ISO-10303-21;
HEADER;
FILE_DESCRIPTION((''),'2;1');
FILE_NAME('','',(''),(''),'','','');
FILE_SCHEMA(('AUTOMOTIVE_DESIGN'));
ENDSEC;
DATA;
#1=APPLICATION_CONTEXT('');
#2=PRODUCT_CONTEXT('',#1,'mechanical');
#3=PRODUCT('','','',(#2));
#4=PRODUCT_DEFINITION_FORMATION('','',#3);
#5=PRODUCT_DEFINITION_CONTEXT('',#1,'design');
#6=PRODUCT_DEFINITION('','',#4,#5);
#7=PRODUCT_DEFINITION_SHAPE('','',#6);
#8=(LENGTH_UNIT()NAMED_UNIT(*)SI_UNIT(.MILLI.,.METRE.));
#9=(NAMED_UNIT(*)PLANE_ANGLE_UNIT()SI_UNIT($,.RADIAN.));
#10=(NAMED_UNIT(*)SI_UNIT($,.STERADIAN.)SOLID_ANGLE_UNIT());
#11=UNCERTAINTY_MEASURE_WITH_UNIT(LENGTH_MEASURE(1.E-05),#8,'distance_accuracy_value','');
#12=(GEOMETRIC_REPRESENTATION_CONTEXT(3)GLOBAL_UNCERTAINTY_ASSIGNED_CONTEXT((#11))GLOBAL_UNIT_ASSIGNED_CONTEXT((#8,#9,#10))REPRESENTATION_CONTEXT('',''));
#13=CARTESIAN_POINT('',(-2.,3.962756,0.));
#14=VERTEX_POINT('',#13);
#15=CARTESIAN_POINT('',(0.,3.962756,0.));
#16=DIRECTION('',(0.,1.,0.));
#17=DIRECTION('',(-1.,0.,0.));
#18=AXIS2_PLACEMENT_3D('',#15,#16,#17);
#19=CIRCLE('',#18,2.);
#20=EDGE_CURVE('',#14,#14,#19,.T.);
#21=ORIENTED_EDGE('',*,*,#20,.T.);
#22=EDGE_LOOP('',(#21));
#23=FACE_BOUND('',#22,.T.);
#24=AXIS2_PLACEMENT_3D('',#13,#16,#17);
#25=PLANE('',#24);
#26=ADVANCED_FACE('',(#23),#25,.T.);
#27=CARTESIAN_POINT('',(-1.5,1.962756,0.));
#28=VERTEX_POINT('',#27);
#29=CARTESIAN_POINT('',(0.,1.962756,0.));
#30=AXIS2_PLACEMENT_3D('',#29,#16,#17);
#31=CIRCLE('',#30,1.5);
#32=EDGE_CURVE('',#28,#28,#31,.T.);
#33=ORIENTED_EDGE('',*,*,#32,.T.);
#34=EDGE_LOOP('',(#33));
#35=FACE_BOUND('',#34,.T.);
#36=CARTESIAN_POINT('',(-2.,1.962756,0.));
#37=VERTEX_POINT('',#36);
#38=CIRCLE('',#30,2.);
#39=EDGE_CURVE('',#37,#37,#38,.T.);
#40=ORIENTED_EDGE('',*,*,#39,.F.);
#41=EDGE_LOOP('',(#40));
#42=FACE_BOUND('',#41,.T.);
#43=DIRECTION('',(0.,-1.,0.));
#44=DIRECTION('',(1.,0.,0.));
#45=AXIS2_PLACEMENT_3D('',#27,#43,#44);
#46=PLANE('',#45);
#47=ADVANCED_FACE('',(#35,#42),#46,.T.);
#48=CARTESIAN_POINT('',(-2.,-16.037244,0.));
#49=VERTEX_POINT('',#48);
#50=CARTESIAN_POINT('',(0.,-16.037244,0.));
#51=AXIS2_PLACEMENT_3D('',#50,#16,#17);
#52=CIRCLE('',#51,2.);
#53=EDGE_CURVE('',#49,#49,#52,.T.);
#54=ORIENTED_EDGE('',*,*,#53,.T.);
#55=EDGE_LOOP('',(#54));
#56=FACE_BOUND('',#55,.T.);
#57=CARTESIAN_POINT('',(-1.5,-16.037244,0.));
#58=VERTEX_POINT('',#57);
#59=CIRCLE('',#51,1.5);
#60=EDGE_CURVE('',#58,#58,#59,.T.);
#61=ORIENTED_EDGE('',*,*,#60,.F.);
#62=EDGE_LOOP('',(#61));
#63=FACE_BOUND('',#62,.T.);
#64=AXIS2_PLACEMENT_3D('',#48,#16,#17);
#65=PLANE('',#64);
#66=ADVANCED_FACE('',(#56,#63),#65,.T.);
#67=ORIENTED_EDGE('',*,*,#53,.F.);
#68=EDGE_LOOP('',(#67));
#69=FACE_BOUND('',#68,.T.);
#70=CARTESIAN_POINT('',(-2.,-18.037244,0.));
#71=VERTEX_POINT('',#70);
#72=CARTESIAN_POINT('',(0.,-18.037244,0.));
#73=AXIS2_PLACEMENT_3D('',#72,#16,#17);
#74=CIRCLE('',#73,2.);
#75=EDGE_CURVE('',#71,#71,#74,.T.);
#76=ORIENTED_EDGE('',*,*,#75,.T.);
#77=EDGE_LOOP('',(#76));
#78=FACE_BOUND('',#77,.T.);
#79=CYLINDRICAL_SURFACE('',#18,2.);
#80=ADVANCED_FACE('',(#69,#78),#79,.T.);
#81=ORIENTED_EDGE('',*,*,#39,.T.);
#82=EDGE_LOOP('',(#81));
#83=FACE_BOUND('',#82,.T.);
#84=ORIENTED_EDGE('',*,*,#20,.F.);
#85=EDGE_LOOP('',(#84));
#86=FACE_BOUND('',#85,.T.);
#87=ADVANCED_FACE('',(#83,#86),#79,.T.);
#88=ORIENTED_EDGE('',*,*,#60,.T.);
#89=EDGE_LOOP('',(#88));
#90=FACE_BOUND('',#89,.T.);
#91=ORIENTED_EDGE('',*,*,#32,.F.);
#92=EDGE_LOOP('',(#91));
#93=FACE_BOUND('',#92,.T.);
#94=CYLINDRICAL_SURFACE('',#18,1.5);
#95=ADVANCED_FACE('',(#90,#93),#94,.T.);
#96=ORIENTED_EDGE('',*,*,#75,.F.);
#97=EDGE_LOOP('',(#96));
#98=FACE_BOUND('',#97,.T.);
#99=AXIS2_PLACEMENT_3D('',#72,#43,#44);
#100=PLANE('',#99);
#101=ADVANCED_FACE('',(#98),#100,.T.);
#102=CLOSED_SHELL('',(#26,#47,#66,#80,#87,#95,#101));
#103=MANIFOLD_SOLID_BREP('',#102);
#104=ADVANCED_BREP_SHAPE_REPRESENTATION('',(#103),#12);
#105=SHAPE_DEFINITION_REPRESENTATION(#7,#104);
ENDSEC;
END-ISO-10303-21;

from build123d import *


with BuildPart() as part:
    # Sketch1 → Revolve1 (revolve)
    with BuildSketch(Plane.XY):
        Polygon((0, 3.962755567), (0, -18.037244433), (-2, -18.037244433), (-2, -16.037244433), (-1.5, -16.037244433), (-1.5, 1.962755567), (-2, 1.962755567), (-2, 3.962755567), align=None)
    revolve(axis=Axis((0, 3.962755567, 0), (0, -1, 0)))


solid = part.part
